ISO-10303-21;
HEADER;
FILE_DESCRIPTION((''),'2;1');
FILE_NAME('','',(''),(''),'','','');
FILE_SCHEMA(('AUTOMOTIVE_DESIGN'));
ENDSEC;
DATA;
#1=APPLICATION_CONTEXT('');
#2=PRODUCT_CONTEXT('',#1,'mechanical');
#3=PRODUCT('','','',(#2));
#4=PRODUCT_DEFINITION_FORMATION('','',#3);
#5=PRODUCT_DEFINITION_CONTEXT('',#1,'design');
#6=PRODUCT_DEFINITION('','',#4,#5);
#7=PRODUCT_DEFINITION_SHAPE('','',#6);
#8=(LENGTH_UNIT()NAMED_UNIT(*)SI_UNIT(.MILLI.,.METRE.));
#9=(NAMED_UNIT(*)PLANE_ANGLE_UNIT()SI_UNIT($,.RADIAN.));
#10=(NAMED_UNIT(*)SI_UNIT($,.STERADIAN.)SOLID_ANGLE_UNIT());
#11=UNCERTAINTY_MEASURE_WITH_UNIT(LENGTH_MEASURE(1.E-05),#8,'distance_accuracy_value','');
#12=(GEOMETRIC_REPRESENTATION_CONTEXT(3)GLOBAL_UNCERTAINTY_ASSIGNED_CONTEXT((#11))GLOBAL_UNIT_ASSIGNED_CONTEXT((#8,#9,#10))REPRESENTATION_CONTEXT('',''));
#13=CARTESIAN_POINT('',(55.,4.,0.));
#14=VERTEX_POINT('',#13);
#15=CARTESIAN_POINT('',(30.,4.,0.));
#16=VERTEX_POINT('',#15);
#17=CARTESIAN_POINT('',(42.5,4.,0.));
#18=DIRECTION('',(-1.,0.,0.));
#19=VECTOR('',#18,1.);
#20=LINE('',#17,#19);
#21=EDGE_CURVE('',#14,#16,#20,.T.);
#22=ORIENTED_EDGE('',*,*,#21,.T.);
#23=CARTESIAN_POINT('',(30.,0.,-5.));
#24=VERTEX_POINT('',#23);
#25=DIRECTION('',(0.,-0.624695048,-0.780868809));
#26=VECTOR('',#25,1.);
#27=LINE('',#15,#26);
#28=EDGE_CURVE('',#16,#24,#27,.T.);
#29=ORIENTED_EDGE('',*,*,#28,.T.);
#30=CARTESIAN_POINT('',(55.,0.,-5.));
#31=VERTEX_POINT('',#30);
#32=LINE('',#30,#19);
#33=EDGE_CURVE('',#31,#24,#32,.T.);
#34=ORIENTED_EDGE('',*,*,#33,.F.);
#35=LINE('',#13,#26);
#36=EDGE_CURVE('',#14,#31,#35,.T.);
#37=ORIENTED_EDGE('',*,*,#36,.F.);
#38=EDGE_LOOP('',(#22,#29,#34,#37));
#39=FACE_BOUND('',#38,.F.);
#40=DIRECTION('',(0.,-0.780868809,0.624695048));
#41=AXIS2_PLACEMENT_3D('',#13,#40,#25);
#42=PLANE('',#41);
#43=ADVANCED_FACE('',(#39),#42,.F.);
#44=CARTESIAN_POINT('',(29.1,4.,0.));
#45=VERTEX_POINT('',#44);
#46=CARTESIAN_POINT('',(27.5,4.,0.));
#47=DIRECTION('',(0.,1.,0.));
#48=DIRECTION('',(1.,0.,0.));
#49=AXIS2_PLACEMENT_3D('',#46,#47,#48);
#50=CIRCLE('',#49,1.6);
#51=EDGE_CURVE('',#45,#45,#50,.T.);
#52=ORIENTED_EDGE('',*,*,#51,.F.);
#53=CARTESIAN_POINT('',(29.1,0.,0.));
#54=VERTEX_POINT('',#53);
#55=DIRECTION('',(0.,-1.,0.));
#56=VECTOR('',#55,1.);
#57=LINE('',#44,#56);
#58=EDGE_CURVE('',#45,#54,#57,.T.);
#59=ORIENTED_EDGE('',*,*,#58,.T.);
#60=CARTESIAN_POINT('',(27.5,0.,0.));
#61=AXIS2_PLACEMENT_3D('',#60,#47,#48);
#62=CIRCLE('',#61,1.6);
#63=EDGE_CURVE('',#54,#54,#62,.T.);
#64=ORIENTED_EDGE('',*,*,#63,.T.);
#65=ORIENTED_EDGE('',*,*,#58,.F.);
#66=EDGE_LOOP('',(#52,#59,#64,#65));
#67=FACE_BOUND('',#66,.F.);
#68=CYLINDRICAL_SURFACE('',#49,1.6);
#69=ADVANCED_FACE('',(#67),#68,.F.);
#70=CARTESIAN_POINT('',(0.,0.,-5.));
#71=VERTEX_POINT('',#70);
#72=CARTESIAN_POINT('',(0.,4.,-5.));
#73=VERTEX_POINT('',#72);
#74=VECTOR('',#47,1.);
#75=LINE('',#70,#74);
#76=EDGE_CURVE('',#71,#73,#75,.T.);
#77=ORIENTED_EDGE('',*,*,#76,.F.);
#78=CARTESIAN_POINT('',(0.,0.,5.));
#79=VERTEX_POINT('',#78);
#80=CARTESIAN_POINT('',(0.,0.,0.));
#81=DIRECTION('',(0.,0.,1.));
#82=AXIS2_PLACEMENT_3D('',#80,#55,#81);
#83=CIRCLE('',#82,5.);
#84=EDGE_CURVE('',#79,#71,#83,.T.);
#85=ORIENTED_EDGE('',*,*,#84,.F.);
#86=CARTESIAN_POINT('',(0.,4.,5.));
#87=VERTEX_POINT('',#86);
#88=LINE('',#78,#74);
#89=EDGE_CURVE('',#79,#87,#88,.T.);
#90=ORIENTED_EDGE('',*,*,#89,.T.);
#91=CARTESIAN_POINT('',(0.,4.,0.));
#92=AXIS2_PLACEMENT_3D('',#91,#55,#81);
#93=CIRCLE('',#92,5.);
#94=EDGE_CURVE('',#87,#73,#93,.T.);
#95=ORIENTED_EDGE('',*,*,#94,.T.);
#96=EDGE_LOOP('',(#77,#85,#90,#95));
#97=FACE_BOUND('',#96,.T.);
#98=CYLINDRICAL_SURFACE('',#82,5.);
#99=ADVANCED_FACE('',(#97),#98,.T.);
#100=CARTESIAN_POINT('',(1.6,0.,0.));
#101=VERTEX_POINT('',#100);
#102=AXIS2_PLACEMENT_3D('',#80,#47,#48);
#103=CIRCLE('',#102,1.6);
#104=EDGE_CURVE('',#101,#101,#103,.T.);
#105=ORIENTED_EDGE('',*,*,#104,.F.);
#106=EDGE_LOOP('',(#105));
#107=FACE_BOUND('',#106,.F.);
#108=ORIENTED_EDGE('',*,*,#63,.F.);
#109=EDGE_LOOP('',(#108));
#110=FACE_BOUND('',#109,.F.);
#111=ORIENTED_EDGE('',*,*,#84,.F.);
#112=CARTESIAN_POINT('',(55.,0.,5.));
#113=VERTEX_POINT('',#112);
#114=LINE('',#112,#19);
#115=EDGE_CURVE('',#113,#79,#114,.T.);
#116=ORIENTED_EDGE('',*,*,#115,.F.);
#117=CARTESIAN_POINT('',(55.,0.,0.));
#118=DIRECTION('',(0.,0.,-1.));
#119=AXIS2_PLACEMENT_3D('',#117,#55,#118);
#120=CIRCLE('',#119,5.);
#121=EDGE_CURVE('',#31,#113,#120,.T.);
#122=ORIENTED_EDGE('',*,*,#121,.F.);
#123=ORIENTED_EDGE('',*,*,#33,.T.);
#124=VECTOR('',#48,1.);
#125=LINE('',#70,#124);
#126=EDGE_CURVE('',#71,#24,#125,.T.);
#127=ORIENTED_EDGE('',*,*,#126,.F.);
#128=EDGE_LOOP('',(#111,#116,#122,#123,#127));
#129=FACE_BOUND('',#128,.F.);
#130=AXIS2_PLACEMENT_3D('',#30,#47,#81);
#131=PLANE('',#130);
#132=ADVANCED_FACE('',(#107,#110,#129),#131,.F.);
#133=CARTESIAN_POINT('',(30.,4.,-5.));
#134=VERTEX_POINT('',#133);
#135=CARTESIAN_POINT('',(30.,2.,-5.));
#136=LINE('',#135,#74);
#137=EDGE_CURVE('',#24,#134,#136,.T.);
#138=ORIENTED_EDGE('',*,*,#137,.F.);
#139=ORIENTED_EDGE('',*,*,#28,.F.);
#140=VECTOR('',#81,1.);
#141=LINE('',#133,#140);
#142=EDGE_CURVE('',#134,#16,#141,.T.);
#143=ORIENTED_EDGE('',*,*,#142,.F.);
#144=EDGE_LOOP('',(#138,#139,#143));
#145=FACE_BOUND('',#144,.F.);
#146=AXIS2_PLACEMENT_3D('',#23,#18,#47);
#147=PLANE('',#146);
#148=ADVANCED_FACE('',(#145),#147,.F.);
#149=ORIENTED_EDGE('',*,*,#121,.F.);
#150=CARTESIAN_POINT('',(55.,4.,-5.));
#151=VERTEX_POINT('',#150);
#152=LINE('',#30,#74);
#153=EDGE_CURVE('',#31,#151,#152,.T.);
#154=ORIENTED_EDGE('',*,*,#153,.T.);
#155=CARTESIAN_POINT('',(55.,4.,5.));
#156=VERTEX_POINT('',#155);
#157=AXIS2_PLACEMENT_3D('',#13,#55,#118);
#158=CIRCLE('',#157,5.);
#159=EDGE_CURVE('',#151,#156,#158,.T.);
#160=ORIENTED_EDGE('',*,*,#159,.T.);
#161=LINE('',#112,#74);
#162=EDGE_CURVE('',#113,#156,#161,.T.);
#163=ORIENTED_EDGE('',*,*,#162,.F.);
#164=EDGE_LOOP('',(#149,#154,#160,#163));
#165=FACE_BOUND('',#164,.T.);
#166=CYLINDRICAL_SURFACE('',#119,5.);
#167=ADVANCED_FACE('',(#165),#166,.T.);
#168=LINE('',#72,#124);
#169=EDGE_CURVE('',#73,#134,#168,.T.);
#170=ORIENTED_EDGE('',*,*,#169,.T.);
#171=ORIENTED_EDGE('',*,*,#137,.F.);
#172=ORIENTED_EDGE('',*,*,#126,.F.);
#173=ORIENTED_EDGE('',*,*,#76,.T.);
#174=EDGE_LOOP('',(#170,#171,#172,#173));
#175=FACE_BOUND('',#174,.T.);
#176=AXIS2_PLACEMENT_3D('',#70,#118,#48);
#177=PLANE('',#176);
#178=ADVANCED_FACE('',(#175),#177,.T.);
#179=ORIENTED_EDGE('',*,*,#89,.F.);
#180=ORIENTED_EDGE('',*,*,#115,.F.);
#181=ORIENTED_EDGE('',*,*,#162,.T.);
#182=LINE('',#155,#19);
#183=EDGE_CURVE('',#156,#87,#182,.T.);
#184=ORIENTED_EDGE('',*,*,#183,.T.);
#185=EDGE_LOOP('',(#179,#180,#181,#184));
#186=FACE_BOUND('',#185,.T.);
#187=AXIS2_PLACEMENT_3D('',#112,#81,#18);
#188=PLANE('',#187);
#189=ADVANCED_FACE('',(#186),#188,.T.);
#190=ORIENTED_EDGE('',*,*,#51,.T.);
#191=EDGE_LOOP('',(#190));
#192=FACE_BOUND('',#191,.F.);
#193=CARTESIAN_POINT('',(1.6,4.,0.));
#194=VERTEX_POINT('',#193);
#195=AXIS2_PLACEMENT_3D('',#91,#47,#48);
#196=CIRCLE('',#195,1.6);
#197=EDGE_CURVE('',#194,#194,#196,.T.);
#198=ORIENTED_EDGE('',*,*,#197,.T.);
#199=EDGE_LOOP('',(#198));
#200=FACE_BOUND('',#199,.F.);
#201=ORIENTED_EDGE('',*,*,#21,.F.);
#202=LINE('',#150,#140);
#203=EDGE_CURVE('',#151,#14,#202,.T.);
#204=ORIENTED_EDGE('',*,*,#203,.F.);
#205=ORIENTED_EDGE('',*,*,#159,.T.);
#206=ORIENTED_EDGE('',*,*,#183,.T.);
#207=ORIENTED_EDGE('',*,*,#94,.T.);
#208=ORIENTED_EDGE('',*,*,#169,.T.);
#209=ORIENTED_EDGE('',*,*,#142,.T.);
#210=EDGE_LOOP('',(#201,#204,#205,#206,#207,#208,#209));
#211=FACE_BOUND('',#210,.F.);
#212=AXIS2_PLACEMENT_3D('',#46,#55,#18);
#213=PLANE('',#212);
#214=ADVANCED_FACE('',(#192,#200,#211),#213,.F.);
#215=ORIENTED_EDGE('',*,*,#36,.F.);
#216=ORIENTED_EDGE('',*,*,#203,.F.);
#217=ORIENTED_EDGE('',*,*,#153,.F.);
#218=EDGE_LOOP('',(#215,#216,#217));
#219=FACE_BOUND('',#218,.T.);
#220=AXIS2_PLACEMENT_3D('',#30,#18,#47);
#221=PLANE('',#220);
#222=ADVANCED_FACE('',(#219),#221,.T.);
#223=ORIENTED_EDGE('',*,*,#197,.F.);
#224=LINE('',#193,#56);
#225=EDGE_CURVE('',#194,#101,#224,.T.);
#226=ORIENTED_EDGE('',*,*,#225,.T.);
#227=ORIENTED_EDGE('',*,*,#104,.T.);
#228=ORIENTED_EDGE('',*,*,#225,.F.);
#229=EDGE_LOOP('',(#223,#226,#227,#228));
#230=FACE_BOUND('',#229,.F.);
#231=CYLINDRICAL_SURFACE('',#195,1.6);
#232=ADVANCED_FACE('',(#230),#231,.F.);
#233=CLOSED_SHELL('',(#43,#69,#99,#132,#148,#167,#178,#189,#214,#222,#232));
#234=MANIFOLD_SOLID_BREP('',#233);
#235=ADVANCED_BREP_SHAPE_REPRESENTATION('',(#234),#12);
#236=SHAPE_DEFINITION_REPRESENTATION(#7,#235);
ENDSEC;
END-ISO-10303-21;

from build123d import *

# Parameters (mm, degrees)
BOSS_EXTRUDE1_DEPTH = 4
SKETCH2_R           = 1.6
CUT_EXTRUDE1_DEPTH  = 5
SKETCH3_W           = 25
SKETCH3_H           = 4
CUT_EXTRUDE2_DEPTH  = 5
BOSS_EXTRUDE2_DEPTH = 25


with BuildPart() as part:
    # Sketch1 → Boss-Extrude1 (new body)
    with BuildSketch(Plane(origin=(0, 0, 0), x_dir=(1, 0, 0), z_dir=(0, 1, 0))):
        with BuildLine():
            Line((0, 5), (55, 5))
            ThreePointArc((55, 5), (60, 0), (55, -5))
            Line((55, -5), (0, -5))
            ThreePointArc((0, -5), (-5, 0), (0, 5))
        make_face()
    extrude(amount=BOSS_EXTRUDE1_DEPTH)

    # Sketch2 → Cut-Extrude1 (cut, through all)
    with BuildSketch(Plane(origin=(0, 4, 0), x_dir=(1, 0, 0), z_dir=(0, 1, 0))):
        Circle(SKETCH2_R)
        with Locations((27.5, 0)):
            Circle(SKETCH2_R)
    extrude(amount=-CUT_EXTRUDE1_DEPTH, mode=Mode.SUBTRACT)

    # Sketch3 → Cut-Extrude2 (cut)
    with BuildSketch(Plane(origin=(0, 0, -5), x_dir=(-1, 0, 0), z_dir=(0, 0, -1))):
        with Locations((-42.5, 2)):
            Rectangle(SKETCH3_W, SKETCH3_H)
    extrude(amount=-CUT_EXTRUDE2_DEPTH, mode=Mode.SUBTRACT)

    # Sketch4 → Boss-Extrude2 (add)
    with BuildSketch(Plane.ZY.offset(-55)):
        Polygon((0, 4), (-5, 0), (0, 0), align=None)
    extrude(amount=BOSS_EXTRUDE2_DEPTH)


solid = part.part
